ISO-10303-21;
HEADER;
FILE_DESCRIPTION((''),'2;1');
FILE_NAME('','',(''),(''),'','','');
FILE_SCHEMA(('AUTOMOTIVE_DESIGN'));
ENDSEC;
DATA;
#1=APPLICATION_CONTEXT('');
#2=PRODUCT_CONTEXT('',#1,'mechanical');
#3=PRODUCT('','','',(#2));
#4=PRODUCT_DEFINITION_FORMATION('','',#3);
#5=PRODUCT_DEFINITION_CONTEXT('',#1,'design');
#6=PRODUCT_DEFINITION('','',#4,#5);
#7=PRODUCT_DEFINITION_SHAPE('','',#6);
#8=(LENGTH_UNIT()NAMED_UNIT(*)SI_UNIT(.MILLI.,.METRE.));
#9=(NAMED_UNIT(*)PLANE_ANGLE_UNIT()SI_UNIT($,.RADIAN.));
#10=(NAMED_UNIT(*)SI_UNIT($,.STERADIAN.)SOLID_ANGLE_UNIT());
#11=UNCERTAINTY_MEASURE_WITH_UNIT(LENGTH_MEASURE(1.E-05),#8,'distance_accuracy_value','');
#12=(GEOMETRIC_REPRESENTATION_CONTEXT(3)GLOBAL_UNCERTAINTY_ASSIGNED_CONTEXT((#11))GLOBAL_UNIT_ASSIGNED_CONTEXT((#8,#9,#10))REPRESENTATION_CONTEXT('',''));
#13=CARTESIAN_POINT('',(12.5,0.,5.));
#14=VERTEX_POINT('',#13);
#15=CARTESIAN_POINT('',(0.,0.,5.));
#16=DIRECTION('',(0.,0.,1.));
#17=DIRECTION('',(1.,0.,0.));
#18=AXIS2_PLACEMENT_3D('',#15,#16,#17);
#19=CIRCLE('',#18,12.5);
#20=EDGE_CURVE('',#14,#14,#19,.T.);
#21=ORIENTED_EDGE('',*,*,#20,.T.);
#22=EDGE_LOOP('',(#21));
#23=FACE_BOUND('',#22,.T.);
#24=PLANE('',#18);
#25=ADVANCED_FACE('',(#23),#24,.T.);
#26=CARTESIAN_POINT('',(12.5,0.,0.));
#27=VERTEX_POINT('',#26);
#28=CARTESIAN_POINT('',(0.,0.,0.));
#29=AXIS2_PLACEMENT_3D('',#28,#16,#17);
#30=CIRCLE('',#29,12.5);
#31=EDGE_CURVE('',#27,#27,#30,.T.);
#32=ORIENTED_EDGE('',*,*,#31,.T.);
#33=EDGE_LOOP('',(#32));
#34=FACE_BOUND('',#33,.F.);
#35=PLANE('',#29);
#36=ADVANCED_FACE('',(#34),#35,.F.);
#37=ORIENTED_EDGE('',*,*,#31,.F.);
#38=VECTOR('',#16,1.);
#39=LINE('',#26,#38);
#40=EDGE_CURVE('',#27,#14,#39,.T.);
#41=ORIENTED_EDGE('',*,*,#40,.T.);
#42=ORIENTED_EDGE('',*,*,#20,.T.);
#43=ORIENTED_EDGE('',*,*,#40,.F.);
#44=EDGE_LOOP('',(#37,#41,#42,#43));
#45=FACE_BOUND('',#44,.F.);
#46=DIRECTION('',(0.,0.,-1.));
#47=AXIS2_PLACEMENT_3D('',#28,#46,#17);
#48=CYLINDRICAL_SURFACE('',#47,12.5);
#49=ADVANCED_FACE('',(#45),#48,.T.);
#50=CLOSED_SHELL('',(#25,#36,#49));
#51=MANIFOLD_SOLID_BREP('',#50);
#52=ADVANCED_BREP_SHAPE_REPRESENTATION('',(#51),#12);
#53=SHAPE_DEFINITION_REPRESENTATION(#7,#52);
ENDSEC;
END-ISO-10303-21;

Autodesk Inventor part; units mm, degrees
ref_plane "YZ Plane" through (0, 0, 0) normal (1, 0, 0) x (0, 1, 0)
ref_plane "XZ Plane" through (0, 0, 0) normal (0, 1, 0) x (-1, 0, 0)
ref_plane "XY Plane" through (0, 0, 0) normal (0, 0, 1) x (1, 0, 0)
sketch "Sketch1" plane through (0, 0, 0) normal (0, 0, 1) x (1, 0, 0)
  circle A0 centre (0, 0) radius 12.5
  dimension "d0" = 25
extrude "Extrusion1" add sketch "Sketch1" along normal blind 5
properties part number "00_Filter_25mm"
